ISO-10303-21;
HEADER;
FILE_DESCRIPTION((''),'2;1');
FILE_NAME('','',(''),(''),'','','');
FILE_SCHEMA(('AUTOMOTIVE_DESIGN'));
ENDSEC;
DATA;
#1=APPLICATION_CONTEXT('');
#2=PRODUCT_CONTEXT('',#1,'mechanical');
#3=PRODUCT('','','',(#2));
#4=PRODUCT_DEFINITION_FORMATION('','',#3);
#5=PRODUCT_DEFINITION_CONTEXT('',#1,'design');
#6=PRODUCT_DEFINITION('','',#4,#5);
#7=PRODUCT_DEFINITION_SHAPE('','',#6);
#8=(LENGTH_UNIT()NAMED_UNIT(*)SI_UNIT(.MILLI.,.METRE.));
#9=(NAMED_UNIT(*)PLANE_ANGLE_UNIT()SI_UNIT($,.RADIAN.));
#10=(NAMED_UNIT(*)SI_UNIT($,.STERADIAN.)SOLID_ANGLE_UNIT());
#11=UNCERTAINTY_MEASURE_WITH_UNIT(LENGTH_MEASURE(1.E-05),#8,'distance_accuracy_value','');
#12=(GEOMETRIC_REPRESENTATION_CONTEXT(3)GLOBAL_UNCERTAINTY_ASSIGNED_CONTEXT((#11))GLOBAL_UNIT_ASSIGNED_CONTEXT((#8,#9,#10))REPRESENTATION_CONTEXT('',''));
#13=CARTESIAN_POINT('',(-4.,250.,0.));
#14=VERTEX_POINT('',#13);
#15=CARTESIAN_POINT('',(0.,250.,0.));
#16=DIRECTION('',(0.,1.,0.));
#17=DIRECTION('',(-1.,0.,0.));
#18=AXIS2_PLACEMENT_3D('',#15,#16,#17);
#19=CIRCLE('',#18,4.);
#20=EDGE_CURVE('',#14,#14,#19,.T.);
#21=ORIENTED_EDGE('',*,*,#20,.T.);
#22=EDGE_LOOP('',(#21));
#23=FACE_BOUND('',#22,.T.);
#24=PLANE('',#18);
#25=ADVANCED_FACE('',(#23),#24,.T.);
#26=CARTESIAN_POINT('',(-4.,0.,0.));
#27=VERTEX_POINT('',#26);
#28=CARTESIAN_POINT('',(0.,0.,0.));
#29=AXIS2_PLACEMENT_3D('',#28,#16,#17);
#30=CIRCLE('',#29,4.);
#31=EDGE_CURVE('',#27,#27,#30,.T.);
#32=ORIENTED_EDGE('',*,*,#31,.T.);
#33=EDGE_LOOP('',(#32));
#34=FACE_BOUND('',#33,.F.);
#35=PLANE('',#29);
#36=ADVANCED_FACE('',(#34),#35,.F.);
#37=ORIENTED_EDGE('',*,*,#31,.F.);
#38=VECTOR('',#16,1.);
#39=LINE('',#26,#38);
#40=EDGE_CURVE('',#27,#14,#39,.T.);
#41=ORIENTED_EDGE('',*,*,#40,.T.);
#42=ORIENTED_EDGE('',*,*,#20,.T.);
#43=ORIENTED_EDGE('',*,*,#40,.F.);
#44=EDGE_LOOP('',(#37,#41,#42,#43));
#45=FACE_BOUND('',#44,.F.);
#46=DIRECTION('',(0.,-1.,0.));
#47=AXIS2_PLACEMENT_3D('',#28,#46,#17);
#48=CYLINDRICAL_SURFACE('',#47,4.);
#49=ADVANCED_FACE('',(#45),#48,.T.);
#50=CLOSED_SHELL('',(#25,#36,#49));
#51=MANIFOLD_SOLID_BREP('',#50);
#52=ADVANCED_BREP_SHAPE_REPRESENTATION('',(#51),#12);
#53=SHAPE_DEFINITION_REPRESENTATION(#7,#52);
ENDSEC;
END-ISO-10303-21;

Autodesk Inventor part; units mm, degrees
ref_plane "YZ Plane" through (0, 0, 0) normal (1, 0, 0) x (0, 1, 0)
ref_plane "XZ Plane" through (0, 0, 0) normal (0, 1, 0) x (-1, 0, 0)
ref_plane "XY Plane" through (0, 0, 0) normal (0, 0, 1) x (1, 0, 0)
sketch "Sketch1" plane through (0, 0, 0) normal (0, 1, 0) x (-1, 0, 0)
  circle A0 centre (0, 0) radius 4
  dimension "d0" = 8
extrude "Extrusion1" add sketch "Sketch1" along normal blind 250
properties part number "Truc_8mm"
